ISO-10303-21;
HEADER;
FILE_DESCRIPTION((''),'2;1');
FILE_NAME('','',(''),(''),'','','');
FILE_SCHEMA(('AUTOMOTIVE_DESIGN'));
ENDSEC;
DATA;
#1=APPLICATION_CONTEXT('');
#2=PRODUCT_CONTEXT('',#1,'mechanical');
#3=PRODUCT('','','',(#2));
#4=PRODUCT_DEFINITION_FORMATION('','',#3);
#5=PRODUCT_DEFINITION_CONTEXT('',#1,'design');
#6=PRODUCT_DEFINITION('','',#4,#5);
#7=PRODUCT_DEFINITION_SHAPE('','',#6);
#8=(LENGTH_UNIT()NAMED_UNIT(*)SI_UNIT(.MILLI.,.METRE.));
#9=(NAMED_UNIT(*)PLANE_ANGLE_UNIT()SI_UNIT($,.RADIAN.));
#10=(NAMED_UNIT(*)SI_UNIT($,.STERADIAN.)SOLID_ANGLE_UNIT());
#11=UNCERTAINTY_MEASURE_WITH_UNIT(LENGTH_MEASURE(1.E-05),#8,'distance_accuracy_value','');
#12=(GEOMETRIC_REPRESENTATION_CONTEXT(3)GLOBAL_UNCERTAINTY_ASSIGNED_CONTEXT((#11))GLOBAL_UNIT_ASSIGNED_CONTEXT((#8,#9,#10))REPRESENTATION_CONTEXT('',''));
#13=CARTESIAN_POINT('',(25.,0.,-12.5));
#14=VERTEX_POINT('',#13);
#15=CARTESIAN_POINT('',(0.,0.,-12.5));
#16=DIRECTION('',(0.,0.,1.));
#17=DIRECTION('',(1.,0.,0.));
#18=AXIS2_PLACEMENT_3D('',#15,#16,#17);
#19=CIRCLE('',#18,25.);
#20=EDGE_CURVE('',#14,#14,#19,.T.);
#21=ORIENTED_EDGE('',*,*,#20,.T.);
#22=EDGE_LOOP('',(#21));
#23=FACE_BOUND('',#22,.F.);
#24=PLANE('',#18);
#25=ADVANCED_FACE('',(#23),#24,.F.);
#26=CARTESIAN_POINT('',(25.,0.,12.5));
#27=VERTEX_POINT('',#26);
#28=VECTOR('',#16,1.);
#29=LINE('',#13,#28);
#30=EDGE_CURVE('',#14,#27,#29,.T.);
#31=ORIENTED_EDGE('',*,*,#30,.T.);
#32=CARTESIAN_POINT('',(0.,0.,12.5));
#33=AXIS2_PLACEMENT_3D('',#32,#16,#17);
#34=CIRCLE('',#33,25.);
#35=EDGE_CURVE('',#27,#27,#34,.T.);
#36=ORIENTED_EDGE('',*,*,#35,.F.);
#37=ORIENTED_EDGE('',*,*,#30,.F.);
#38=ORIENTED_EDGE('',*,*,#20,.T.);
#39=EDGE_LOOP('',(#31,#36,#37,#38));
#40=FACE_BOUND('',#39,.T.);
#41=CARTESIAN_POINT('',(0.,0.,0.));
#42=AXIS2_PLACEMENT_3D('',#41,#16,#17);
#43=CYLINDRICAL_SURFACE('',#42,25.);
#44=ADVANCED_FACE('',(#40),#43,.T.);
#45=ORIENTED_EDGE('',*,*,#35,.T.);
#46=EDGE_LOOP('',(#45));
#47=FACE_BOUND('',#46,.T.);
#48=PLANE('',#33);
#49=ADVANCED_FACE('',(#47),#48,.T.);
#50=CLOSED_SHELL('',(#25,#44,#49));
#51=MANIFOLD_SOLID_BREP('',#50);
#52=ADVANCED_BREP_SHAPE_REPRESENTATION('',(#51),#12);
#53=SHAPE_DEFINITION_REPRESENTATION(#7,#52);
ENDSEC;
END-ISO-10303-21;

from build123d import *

# Parameters (mm, degrees)
SKETCH_R  = 25
PAD_DEPTH = 12.5


with BuildPart() as part:
    # Sketch → Pad (new body, symmetric)
    with BuildSketch(Plane.XY):
        Circle(SKETCH_R)
    extrude(amount=PAD_DEPTH, both=True)


solid = part.part
